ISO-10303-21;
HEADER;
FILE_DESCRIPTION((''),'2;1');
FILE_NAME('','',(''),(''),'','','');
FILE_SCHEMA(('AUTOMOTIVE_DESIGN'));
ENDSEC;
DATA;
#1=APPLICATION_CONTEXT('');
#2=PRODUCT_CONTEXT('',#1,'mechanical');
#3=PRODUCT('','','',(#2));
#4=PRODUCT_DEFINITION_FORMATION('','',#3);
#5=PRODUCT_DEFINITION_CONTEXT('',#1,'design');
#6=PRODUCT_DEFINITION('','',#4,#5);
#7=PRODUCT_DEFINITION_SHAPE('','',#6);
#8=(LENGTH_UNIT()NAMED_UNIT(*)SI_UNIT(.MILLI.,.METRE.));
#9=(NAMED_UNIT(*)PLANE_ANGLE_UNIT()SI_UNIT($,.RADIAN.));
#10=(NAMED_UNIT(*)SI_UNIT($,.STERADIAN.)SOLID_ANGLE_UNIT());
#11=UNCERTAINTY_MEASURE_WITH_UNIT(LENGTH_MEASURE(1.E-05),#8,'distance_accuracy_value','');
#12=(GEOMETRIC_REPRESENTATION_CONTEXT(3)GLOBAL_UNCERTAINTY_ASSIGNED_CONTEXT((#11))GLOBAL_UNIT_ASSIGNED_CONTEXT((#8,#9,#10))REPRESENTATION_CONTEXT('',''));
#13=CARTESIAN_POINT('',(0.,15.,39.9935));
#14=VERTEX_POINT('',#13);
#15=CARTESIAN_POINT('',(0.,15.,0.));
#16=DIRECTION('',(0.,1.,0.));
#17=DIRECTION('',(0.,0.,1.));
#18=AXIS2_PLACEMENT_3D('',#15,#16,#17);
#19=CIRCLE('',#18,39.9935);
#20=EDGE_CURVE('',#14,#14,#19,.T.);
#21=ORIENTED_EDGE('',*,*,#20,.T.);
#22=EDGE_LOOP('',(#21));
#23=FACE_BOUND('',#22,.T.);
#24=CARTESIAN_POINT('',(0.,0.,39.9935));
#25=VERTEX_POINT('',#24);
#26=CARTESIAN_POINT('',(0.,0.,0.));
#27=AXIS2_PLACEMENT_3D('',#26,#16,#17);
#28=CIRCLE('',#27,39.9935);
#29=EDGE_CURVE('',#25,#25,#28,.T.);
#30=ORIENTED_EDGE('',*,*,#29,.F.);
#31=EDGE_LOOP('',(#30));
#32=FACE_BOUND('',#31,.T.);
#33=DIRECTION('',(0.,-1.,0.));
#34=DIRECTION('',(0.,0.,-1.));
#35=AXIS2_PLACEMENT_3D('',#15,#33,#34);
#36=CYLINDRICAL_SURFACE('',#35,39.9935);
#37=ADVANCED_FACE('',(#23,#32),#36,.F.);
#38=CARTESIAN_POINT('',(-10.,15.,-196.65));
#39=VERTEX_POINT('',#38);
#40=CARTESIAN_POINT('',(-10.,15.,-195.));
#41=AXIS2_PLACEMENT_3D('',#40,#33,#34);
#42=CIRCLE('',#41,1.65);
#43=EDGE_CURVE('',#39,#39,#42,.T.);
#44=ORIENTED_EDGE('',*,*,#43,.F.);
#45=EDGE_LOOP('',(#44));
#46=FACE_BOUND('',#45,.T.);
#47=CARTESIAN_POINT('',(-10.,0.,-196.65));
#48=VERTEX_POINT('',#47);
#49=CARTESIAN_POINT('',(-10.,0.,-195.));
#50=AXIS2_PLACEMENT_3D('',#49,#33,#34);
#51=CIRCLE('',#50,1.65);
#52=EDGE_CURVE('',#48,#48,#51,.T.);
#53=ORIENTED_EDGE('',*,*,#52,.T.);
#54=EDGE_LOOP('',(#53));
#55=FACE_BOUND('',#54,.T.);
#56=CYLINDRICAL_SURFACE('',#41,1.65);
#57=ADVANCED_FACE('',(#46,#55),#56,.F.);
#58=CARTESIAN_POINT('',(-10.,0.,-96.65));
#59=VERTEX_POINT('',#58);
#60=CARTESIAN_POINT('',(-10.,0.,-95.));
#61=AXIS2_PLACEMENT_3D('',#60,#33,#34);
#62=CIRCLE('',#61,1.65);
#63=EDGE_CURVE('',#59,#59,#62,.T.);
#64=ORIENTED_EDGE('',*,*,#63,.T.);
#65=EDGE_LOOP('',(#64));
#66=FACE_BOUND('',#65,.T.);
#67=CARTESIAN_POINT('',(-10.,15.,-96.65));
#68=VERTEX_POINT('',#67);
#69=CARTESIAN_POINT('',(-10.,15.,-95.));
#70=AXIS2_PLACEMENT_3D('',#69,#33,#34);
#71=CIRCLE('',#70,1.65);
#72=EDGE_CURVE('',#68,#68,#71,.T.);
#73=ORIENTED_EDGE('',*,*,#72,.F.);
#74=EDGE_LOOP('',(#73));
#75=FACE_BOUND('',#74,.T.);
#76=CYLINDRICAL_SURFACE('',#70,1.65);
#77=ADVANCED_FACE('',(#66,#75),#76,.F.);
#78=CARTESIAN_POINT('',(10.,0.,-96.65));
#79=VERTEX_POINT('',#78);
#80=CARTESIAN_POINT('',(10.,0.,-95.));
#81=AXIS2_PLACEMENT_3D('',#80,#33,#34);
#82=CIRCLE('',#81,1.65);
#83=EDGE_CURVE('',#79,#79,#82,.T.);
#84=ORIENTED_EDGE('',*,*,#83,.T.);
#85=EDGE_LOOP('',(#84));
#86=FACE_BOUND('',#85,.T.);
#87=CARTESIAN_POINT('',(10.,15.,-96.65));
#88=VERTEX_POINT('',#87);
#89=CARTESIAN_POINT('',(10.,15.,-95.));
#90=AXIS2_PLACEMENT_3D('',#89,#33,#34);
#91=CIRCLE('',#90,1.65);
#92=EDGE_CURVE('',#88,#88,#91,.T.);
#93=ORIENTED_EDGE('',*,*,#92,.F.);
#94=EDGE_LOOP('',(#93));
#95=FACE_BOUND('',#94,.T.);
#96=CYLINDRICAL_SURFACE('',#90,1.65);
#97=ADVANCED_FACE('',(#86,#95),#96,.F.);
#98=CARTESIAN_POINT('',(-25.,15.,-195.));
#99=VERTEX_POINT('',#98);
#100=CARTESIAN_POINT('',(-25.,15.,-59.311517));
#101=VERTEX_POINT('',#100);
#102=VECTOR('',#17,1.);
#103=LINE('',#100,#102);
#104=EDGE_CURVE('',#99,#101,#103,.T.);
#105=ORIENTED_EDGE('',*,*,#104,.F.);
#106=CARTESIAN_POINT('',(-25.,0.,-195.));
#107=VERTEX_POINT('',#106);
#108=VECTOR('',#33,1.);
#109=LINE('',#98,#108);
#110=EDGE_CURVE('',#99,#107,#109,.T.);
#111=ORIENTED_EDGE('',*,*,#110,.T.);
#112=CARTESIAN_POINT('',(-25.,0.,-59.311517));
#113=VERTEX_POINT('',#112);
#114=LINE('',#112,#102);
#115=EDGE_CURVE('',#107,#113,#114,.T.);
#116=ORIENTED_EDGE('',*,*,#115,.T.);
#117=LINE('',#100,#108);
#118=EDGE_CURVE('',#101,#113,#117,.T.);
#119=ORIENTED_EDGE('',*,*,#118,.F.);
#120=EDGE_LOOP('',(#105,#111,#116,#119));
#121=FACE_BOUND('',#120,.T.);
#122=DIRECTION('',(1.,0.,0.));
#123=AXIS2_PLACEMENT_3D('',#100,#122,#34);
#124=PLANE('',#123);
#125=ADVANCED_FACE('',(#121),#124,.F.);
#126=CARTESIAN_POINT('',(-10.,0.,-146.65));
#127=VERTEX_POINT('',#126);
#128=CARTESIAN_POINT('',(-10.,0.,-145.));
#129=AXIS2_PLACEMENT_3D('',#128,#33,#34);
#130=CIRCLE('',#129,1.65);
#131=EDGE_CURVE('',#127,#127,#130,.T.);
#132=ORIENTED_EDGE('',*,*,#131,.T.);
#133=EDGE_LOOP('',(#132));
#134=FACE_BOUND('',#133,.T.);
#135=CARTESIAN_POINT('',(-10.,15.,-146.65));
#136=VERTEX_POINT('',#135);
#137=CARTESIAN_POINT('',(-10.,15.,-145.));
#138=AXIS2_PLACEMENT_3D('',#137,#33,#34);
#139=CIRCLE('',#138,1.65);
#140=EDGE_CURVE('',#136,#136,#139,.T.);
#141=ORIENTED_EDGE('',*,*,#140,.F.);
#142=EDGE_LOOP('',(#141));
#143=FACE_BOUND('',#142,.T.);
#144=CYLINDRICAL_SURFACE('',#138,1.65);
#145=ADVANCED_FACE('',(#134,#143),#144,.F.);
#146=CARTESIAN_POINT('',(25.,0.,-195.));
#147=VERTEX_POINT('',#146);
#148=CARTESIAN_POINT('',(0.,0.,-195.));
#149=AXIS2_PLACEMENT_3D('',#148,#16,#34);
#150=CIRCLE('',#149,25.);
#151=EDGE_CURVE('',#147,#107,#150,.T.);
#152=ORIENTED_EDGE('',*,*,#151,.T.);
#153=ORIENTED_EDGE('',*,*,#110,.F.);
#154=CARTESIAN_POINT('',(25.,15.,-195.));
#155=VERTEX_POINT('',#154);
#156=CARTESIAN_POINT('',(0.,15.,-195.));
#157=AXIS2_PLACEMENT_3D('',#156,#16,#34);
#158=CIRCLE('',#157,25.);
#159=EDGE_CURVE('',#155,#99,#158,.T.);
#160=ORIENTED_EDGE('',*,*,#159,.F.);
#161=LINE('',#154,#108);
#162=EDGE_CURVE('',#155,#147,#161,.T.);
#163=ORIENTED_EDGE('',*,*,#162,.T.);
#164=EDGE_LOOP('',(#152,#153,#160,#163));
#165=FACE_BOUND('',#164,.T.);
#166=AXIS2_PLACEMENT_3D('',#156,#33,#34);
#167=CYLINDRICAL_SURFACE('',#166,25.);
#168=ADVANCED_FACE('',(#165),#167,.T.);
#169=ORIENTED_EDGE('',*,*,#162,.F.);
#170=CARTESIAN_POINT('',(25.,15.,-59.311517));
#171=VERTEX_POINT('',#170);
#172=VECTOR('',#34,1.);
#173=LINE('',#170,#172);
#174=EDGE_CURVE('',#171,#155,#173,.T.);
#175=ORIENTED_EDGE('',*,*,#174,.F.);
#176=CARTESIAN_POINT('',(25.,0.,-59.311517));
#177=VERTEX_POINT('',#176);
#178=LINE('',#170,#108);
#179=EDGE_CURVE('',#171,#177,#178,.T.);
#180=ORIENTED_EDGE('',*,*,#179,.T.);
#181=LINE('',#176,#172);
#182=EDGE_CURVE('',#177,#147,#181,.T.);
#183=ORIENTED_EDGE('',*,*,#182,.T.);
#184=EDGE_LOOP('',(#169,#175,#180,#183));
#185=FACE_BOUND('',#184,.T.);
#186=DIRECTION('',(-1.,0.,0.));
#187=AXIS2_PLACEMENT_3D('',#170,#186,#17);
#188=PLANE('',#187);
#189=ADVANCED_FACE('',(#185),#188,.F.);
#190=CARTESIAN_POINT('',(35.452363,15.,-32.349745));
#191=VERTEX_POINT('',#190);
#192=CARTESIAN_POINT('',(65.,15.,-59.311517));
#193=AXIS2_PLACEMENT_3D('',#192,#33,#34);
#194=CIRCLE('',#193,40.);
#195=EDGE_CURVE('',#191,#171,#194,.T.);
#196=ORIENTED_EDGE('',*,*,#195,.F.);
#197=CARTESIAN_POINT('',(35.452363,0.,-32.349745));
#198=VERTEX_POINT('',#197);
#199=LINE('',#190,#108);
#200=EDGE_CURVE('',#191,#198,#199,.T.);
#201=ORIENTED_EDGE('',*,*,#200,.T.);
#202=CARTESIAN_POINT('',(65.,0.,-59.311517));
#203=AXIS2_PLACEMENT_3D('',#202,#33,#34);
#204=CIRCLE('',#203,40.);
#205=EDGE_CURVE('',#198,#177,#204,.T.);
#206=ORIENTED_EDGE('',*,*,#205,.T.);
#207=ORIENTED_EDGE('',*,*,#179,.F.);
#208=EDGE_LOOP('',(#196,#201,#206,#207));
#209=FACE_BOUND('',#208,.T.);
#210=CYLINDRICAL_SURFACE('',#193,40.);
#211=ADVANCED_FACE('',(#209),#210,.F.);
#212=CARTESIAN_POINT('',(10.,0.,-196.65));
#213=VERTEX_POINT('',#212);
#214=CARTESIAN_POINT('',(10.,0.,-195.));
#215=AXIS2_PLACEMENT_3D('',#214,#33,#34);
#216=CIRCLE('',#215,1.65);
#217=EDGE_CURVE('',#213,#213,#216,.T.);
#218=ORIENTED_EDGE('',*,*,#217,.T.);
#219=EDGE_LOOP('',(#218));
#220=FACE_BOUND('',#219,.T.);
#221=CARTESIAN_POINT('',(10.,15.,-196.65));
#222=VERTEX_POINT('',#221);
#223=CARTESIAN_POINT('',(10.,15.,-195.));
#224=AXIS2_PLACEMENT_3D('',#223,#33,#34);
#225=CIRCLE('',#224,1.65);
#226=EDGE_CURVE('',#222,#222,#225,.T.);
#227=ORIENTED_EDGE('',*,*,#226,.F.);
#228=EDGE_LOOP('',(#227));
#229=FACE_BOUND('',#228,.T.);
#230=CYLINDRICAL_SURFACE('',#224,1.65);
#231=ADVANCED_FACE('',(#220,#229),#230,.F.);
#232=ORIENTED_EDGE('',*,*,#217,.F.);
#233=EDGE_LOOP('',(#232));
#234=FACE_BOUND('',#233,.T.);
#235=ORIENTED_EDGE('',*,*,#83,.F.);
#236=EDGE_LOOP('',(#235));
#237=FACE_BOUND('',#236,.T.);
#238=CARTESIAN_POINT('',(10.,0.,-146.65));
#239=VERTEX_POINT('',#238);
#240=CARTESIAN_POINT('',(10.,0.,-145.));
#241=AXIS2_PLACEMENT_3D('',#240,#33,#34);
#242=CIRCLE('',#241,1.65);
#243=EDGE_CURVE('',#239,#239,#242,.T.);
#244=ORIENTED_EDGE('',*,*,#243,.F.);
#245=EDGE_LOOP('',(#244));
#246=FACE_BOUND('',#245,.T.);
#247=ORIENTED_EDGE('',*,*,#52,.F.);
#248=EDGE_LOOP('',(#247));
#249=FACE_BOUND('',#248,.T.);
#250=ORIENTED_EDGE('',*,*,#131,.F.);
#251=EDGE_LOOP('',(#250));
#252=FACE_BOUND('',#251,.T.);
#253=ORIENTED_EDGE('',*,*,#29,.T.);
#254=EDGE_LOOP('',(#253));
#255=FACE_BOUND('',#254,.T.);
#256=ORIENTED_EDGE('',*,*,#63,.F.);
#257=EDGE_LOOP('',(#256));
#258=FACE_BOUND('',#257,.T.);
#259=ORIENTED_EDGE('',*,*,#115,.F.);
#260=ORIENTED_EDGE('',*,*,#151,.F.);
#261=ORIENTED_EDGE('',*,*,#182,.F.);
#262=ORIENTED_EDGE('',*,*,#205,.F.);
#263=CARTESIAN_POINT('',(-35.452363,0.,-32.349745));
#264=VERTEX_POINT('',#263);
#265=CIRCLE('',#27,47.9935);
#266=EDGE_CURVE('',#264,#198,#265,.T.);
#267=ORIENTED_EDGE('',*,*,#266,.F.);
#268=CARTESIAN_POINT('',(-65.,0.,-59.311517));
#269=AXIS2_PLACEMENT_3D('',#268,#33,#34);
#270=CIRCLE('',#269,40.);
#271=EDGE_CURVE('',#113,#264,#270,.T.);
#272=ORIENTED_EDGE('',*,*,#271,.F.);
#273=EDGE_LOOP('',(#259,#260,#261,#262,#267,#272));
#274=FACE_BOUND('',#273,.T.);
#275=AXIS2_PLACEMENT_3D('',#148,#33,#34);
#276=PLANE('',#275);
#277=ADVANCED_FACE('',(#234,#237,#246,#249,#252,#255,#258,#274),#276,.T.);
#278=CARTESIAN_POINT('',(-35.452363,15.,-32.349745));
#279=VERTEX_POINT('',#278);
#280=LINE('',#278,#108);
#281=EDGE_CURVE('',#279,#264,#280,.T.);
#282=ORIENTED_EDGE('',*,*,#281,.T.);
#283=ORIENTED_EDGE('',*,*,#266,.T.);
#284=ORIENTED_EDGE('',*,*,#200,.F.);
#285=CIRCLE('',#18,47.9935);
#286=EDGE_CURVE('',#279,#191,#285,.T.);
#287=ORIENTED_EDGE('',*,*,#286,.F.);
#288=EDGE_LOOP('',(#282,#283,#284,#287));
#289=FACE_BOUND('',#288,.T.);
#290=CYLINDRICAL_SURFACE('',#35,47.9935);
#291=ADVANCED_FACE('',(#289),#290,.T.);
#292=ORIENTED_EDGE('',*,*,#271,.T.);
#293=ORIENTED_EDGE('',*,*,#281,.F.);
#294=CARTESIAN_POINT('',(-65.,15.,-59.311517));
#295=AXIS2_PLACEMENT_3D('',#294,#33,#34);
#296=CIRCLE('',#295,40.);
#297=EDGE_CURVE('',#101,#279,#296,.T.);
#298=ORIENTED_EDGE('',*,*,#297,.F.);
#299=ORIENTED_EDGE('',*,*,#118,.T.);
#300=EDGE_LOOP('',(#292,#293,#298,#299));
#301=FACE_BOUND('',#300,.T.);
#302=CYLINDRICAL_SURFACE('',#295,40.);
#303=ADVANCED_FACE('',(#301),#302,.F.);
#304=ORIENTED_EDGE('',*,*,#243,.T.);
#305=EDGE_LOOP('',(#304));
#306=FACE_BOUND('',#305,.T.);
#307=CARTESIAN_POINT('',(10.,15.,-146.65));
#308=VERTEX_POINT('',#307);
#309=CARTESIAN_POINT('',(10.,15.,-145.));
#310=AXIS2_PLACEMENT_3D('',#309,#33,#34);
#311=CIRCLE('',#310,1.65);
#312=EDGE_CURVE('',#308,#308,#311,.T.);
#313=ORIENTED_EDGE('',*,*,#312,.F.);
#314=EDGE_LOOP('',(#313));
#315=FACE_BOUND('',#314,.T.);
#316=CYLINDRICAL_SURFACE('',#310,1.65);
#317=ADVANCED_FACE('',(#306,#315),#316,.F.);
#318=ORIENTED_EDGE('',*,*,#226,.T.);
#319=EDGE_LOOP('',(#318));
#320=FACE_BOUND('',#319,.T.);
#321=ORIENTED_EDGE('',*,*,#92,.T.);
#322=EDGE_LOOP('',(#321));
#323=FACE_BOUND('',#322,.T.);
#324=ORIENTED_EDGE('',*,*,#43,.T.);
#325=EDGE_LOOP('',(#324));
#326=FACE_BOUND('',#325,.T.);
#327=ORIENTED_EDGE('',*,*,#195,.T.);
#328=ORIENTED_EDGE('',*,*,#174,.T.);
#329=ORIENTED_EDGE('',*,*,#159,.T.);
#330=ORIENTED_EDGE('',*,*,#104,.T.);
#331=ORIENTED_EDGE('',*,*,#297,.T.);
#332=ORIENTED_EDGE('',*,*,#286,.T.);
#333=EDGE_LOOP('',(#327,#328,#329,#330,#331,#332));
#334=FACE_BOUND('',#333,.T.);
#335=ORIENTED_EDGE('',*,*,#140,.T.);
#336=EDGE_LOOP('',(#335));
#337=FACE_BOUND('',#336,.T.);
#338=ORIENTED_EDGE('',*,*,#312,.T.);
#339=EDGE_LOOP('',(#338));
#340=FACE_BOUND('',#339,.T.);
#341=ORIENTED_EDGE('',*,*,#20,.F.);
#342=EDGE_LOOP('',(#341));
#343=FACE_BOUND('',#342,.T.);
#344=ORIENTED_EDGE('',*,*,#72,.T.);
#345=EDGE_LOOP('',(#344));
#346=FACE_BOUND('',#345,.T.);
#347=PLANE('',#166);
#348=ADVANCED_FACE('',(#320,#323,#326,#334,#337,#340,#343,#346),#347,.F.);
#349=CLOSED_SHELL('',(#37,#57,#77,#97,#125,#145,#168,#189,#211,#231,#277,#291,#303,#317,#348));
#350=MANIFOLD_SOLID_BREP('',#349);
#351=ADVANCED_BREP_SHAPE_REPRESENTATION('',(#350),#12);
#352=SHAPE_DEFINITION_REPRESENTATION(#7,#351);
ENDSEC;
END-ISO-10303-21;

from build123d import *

# Parameters (mm, degrees)
SKETCH1_R           = 39.9935
BOSS_EXTRUDE1_DEPTH = 15
SKETCH2_R           = 1.65
CUT_EXTRUDE1_DEPTH  = 15


with BuildPart() as part:
    # Sketch1 → Boss-Extrude1 (new body)
    with BuildSketch(Plane(origin=(0, 0, 0), x_dir=(1, 0, 0), z_dir=(0, 1, 0))):
        with BuildLine():
            Line((25, 59.311516944), (25, 195))
            ThreePointArc((25, 195), (0, 220), (-25, 195))
            Line((-25, 195), (-25, 59.311516944))
            ThreePointArc((-25, 59.311516944), (-27.704521174, 44.853050249), (-35.452362959, 32.349745021))
            ThreePointArc((-35.452362959, 32.349745021), (0, -47.9935), (35.452362959, 32.349745021))
            ThreePointArc((35.452362959, 32.349745021), (27.704521174, 44.853050249), (25, 59.311516944))
        make_face()
        with Locations(Location((0, 0, 0), (0, 0, 270))):
            Circle(SKETCH1_R, mode=Mode.SUBTRACT)
    extrude(amount=BOSS_EXTRUDE1_DEPTH)

    # Sketch2 → Cut-Extrude1 (cut)
    with BuildSketch(Plane.XZ):
        with Locations(Location((10, -95, 0), (0, 0, 270))):
            Circle(SKETCH2_R)
        with Locations(Location((-10, -95, 0), (0, 0, 270))):
            Circle(SKETCH2_R)
        with Locations(Location((10, -145, 0), (0, 0, 270))):
            Circle(SKETCH2_R)
        with Locations(Location((-10, -145, 0), (0, 0, 270))):
            Circle(SKETCH2_R)
        with Locations(Location((10, -195, 0), (0, 0, 270))):
            Circle(SKETCH2_R)
        with Locations(Location((-10, -195, 0), (0, 0, 270))):
            Circle(SKETCH2_R)
    extrude(amount=-CUT_EXTRUDE1_DEPTH, mode=Mode.SUBTRACT)


solid = part.part
